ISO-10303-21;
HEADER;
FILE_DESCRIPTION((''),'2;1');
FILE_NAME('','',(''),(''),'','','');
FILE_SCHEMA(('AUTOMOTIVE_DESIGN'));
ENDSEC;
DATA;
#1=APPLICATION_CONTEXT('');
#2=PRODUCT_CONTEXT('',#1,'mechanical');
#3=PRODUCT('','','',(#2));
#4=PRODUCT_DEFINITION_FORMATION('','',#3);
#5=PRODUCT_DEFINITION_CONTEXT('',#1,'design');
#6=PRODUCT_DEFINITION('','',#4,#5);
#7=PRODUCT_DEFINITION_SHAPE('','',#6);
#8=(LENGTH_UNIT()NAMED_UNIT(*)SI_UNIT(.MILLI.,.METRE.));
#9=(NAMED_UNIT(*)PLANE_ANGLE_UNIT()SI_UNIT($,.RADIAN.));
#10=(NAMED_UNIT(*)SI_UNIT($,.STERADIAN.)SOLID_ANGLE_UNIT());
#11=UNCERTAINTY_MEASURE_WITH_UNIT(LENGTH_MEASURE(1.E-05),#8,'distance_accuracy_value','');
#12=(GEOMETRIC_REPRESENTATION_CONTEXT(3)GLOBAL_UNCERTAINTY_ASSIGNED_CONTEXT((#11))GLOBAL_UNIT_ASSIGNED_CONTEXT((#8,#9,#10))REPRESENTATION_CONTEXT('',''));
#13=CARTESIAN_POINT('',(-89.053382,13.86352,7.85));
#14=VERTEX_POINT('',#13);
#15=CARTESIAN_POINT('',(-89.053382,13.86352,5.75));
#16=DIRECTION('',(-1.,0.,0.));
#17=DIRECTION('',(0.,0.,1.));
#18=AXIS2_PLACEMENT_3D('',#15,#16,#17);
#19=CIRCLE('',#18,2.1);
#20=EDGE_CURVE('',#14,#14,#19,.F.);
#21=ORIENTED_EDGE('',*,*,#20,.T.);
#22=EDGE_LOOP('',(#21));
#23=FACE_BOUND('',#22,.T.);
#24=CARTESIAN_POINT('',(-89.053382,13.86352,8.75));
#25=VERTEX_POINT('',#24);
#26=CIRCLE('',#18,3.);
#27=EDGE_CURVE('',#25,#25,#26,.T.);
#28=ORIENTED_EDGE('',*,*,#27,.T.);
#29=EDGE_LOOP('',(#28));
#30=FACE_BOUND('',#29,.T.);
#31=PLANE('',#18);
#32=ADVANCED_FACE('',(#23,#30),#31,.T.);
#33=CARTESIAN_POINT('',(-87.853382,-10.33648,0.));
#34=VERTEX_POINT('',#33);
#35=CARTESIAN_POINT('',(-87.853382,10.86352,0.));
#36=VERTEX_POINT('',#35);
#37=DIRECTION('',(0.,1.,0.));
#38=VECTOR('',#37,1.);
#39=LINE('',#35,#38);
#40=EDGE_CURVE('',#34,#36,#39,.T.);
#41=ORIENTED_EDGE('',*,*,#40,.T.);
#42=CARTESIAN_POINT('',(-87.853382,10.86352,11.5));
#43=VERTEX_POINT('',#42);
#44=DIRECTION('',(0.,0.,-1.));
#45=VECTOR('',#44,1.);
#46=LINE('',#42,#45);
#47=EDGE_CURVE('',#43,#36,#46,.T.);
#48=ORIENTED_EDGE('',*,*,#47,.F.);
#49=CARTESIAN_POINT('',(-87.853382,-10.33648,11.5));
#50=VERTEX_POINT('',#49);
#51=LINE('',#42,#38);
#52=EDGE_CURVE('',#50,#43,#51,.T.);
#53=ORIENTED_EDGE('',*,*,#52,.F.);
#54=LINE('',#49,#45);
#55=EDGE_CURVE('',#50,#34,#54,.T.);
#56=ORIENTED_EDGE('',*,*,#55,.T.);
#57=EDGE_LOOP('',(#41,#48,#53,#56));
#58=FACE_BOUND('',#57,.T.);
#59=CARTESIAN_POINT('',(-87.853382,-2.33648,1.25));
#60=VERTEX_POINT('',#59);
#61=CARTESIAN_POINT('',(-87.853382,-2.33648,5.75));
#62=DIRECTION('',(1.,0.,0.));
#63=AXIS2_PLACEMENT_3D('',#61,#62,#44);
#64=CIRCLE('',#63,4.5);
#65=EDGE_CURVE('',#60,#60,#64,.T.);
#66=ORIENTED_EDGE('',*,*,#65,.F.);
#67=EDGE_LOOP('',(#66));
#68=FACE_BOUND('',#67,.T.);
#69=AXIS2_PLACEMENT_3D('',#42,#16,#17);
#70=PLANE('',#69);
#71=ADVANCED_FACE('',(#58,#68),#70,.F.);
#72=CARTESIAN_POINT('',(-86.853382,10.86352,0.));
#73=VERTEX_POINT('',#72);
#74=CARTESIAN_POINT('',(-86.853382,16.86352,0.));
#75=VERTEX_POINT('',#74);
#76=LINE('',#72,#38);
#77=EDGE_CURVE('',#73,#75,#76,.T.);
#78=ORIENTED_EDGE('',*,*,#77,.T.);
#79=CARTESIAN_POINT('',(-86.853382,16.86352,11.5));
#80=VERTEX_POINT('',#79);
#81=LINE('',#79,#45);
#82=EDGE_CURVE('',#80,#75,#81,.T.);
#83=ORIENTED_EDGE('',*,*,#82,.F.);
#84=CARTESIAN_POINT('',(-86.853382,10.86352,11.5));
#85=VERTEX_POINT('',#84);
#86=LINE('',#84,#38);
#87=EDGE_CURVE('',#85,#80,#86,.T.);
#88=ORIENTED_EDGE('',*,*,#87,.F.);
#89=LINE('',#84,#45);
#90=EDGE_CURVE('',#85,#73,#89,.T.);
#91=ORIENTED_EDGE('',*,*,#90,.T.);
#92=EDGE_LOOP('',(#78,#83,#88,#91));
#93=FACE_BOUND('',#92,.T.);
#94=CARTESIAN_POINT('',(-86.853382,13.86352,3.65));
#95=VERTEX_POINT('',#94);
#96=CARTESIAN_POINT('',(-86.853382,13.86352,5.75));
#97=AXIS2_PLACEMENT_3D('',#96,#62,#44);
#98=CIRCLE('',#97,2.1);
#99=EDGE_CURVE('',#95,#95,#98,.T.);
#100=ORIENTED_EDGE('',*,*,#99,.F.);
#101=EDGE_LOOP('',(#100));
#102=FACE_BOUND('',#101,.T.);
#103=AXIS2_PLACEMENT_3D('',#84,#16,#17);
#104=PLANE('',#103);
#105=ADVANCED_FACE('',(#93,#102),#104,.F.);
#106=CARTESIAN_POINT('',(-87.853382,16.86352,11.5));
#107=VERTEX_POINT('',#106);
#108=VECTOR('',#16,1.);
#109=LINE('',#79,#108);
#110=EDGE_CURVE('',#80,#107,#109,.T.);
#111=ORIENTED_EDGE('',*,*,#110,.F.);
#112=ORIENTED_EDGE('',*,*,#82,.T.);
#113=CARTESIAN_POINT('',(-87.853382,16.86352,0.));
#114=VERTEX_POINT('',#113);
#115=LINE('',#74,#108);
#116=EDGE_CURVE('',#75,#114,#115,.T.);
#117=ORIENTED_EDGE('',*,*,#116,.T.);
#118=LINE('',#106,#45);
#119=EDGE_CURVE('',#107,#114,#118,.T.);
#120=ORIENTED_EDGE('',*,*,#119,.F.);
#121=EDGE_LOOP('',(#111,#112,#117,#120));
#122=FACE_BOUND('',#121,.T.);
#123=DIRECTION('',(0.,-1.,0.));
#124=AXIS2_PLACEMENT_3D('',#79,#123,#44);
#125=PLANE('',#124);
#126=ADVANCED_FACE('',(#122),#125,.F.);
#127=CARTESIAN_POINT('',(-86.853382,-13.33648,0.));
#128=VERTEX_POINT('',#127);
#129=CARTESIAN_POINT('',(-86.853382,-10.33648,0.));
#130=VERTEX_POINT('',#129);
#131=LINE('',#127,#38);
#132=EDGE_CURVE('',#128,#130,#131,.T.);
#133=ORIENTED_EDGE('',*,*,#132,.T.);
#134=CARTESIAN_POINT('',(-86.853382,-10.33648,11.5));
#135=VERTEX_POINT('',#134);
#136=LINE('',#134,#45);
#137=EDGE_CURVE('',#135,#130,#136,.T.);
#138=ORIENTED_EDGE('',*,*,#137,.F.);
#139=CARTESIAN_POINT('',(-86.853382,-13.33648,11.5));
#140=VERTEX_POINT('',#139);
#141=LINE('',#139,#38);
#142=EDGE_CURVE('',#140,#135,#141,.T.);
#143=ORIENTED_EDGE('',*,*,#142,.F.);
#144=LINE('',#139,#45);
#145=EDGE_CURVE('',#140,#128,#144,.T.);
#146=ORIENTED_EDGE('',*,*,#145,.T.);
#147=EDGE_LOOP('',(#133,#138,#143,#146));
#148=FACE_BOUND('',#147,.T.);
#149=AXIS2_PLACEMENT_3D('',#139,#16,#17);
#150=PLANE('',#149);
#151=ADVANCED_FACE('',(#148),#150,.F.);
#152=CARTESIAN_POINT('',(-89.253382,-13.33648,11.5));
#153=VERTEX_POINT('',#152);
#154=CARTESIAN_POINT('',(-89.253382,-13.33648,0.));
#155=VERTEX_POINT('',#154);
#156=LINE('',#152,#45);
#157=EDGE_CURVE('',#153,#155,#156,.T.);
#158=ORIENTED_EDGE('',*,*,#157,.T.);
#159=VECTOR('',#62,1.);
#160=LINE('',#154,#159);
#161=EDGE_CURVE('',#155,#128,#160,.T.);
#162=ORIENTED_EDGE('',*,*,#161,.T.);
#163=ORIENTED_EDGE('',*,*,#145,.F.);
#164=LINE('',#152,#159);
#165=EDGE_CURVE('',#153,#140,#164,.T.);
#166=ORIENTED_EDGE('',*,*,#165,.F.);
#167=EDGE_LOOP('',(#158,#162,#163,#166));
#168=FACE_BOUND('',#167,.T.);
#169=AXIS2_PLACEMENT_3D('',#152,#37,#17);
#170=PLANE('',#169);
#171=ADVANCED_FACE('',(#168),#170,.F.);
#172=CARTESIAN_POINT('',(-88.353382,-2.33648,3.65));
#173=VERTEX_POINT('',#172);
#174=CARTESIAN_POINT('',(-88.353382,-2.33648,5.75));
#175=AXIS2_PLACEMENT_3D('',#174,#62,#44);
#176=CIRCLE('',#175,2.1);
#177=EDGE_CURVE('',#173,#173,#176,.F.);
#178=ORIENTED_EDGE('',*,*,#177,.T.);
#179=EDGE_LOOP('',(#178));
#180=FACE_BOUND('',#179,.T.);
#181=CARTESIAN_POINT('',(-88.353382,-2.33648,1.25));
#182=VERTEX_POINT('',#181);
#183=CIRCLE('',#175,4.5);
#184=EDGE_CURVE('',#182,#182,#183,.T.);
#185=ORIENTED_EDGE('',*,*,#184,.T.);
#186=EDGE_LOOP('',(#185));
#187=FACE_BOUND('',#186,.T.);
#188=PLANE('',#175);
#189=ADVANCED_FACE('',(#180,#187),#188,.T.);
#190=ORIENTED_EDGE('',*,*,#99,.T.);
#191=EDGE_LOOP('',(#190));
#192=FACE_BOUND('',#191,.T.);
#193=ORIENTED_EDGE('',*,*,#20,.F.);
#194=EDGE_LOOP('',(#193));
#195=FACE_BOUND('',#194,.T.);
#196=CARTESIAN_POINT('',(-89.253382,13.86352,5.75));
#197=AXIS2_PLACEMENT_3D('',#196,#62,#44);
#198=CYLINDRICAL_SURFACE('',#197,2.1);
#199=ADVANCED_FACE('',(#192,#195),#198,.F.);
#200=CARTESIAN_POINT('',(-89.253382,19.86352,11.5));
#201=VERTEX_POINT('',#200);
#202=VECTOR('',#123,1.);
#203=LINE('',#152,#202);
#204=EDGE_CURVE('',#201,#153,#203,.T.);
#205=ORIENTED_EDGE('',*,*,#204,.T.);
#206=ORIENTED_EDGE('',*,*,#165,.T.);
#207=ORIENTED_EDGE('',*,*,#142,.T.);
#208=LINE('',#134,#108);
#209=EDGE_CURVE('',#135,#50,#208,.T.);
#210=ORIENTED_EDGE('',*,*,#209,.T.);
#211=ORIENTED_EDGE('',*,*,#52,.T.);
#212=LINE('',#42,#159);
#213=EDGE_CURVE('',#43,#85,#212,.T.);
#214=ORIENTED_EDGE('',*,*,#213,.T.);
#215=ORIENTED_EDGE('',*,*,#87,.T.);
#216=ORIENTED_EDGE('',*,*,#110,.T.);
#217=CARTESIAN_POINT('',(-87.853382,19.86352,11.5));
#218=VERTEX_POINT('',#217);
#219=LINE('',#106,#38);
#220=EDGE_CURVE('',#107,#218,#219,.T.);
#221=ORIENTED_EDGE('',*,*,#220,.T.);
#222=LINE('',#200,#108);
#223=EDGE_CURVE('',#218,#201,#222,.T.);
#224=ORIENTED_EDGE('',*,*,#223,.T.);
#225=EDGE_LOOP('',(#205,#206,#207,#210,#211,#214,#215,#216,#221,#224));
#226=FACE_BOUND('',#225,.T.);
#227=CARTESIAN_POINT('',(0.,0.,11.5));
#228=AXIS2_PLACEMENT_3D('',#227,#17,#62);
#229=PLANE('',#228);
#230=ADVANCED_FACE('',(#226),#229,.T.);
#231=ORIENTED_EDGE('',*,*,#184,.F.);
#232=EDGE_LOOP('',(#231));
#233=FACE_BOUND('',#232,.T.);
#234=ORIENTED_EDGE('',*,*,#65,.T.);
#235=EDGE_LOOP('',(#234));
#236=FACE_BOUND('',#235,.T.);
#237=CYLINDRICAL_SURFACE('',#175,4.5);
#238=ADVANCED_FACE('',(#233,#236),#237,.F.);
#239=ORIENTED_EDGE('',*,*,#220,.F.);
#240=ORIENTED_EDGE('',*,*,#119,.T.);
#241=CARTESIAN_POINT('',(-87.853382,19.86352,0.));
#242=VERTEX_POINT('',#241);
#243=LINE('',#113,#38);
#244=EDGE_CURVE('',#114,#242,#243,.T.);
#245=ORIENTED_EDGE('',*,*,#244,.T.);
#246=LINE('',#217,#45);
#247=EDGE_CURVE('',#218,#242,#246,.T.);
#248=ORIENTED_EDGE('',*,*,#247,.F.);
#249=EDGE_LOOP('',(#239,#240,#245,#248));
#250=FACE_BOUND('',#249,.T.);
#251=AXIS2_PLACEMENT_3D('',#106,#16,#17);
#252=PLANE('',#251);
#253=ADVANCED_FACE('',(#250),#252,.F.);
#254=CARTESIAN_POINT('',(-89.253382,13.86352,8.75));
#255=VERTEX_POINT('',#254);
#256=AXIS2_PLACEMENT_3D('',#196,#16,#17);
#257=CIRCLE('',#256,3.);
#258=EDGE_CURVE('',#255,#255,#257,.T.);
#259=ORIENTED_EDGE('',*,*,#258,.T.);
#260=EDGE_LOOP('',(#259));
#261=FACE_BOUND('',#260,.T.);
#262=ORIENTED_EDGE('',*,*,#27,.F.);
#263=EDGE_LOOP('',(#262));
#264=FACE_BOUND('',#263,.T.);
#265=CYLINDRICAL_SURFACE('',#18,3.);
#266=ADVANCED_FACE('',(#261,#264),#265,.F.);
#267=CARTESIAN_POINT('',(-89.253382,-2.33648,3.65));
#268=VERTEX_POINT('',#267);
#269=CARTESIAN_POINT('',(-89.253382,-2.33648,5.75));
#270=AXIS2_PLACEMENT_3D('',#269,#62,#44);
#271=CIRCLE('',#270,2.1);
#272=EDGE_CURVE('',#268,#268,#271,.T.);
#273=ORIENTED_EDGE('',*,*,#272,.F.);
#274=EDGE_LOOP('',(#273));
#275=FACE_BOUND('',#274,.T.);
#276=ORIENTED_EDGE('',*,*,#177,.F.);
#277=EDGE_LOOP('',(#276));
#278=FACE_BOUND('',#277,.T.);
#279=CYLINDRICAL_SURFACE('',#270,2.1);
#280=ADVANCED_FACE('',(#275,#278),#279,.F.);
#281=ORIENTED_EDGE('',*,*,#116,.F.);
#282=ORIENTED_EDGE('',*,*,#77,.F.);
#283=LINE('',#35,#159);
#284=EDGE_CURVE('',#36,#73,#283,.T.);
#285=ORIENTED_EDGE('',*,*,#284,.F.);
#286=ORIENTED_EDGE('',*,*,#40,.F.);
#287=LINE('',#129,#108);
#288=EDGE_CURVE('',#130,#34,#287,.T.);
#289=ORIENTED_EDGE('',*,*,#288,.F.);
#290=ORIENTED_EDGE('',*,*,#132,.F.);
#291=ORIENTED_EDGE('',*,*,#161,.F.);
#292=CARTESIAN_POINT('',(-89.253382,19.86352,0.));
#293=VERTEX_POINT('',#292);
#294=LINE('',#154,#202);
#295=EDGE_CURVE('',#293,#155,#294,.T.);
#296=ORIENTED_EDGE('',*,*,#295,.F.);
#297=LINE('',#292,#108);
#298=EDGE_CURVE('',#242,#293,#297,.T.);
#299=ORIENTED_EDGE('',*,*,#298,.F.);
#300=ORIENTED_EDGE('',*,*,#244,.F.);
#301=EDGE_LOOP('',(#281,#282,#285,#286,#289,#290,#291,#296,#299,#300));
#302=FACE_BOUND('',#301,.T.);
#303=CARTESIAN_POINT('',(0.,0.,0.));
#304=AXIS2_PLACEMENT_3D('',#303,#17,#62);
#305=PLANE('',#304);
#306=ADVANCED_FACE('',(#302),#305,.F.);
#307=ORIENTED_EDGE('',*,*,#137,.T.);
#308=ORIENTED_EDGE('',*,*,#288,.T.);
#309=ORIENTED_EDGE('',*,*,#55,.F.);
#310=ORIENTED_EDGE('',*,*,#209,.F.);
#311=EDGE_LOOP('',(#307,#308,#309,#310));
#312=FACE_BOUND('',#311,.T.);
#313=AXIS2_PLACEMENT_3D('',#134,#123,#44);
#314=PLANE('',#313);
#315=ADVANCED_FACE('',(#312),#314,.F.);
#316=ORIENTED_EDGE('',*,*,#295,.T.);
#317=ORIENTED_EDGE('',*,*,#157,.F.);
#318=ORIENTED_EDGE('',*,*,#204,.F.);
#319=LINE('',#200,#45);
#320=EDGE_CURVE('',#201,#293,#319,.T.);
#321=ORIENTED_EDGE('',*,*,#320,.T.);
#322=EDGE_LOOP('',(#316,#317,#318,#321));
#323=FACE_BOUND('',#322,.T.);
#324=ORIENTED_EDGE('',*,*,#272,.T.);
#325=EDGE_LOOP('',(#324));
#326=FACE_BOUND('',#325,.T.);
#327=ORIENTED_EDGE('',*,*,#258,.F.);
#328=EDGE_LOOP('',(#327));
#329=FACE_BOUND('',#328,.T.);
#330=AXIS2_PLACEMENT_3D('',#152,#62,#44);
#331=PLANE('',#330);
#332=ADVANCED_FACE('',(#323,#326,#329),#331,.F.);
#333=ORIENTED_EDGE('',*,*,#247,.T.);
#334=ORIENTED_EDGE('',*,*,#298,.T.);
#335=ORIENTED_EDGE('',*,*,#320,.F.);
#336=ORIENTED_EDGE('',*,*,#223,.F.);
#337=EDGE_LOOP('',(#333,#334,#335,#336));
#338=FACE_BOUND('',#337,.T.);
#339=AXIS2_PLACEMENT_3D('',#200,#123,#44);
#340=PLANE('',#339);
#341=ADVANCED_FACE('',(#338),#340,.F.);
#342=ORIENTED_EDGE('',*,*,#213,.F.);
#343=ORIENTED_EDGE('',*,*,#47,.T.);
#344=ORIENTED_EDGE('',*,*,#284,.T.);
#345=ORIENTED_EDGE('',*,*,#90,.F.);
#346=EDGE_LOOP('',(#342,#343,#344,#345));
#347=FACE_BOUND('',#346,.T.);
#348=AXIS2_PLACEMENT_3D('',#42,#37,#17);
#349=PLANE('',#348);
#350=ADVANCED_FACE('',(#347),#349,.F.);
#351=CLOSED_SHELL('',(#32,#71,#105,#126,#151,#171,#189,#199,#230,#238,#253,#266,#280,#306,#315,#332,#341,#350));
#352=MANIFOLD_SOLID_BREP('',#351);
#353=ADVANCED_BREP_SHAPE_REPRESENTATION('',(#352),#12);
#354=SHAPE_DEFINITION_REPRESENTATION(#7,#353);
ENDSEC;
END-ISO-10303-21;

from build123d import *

# Parameters (mm, degrees)
SALIENTE_EXTRUIR1_DEPTH = 11.5
CORTAR_EXTRUIR1_START   = -2.4
CROQUIS2_R              = 2.1
CORTAR_EXTRUIR1_DEPTH   = 2.4
CROQUIS3_R              = 4.5
CORTAR_EXTRUIR2_DEPTH   = 0.5
CROQUIS4_R              = 3
CORTAR_EXTRUIR3_DEPTH   = 0.2


with BuildPart() as part:
    # Croquis1 → Saliente-Extruir1 (new body)
    with BuildSketch(Plane.XY):
        Polygon((-89.253382482, -13.336480186), (-89.253382482, 19.863519814), (-87.853382482, 19.863519814), (-87.853382482, 16.863519814), (-86.853382482, 16.863519814), (-86.853382482, 10.863519814), (-87.853382482, 10.863519814), (-87.853382482, -10.336480186), (-86.853382482, -10.336480186), (-86.853382482, -13.336480186), align=None)
    extrude(amount=SALIENTE_EXTRUIR1_DEPTH)

    # Croquis2 → Cortar-Extruir1 (cut)
    with BuildSketch(Plane(origin=(-86.853382482, 0, 0), x_dir=(0, 0, -1), z_dir=(1, 0, 0)).offset(CORTAR_EXTRUIR1_START)):
        with Locations((-5.75, 13.863519814)):
            Circle(CROQUIS2_R)
        with Locations((-5.75, -2.336480186)):
            Circle(CROQUIS2_R)
    extrude(amount=CORTAR_EXTRUIR1_DEPTH, mode=Mode.SUBTRACT)

    # Croquis3 → Cortar-Extruir2 (cut)
    with BuildSketch(Plane(origin=(-87.853382482, 0, 0), x_dir=(0, 0, -1), z_dir=(1, 0, 0))):
        with Locations((-5.75, -2.336480186)):
            Circle(CROQUIS3_R)
    extrude(amount=-CORTAR_EXTRUIR2_DEPTH, mode=Mode.SUBTRACT)

    # Croquis4 → Cortar-Extruir3 (cut)
    with BuildSketch(Plane.ZY.offset(89.253382482)):
        with Locations((5.75, 13.863519814)):
            Circle(CROQUIS4_R)
    extrude(amount=-CORTAR_EXTRUIR3_DEPTH, mode=Mode.SUBTRACT)


solid = part.part
